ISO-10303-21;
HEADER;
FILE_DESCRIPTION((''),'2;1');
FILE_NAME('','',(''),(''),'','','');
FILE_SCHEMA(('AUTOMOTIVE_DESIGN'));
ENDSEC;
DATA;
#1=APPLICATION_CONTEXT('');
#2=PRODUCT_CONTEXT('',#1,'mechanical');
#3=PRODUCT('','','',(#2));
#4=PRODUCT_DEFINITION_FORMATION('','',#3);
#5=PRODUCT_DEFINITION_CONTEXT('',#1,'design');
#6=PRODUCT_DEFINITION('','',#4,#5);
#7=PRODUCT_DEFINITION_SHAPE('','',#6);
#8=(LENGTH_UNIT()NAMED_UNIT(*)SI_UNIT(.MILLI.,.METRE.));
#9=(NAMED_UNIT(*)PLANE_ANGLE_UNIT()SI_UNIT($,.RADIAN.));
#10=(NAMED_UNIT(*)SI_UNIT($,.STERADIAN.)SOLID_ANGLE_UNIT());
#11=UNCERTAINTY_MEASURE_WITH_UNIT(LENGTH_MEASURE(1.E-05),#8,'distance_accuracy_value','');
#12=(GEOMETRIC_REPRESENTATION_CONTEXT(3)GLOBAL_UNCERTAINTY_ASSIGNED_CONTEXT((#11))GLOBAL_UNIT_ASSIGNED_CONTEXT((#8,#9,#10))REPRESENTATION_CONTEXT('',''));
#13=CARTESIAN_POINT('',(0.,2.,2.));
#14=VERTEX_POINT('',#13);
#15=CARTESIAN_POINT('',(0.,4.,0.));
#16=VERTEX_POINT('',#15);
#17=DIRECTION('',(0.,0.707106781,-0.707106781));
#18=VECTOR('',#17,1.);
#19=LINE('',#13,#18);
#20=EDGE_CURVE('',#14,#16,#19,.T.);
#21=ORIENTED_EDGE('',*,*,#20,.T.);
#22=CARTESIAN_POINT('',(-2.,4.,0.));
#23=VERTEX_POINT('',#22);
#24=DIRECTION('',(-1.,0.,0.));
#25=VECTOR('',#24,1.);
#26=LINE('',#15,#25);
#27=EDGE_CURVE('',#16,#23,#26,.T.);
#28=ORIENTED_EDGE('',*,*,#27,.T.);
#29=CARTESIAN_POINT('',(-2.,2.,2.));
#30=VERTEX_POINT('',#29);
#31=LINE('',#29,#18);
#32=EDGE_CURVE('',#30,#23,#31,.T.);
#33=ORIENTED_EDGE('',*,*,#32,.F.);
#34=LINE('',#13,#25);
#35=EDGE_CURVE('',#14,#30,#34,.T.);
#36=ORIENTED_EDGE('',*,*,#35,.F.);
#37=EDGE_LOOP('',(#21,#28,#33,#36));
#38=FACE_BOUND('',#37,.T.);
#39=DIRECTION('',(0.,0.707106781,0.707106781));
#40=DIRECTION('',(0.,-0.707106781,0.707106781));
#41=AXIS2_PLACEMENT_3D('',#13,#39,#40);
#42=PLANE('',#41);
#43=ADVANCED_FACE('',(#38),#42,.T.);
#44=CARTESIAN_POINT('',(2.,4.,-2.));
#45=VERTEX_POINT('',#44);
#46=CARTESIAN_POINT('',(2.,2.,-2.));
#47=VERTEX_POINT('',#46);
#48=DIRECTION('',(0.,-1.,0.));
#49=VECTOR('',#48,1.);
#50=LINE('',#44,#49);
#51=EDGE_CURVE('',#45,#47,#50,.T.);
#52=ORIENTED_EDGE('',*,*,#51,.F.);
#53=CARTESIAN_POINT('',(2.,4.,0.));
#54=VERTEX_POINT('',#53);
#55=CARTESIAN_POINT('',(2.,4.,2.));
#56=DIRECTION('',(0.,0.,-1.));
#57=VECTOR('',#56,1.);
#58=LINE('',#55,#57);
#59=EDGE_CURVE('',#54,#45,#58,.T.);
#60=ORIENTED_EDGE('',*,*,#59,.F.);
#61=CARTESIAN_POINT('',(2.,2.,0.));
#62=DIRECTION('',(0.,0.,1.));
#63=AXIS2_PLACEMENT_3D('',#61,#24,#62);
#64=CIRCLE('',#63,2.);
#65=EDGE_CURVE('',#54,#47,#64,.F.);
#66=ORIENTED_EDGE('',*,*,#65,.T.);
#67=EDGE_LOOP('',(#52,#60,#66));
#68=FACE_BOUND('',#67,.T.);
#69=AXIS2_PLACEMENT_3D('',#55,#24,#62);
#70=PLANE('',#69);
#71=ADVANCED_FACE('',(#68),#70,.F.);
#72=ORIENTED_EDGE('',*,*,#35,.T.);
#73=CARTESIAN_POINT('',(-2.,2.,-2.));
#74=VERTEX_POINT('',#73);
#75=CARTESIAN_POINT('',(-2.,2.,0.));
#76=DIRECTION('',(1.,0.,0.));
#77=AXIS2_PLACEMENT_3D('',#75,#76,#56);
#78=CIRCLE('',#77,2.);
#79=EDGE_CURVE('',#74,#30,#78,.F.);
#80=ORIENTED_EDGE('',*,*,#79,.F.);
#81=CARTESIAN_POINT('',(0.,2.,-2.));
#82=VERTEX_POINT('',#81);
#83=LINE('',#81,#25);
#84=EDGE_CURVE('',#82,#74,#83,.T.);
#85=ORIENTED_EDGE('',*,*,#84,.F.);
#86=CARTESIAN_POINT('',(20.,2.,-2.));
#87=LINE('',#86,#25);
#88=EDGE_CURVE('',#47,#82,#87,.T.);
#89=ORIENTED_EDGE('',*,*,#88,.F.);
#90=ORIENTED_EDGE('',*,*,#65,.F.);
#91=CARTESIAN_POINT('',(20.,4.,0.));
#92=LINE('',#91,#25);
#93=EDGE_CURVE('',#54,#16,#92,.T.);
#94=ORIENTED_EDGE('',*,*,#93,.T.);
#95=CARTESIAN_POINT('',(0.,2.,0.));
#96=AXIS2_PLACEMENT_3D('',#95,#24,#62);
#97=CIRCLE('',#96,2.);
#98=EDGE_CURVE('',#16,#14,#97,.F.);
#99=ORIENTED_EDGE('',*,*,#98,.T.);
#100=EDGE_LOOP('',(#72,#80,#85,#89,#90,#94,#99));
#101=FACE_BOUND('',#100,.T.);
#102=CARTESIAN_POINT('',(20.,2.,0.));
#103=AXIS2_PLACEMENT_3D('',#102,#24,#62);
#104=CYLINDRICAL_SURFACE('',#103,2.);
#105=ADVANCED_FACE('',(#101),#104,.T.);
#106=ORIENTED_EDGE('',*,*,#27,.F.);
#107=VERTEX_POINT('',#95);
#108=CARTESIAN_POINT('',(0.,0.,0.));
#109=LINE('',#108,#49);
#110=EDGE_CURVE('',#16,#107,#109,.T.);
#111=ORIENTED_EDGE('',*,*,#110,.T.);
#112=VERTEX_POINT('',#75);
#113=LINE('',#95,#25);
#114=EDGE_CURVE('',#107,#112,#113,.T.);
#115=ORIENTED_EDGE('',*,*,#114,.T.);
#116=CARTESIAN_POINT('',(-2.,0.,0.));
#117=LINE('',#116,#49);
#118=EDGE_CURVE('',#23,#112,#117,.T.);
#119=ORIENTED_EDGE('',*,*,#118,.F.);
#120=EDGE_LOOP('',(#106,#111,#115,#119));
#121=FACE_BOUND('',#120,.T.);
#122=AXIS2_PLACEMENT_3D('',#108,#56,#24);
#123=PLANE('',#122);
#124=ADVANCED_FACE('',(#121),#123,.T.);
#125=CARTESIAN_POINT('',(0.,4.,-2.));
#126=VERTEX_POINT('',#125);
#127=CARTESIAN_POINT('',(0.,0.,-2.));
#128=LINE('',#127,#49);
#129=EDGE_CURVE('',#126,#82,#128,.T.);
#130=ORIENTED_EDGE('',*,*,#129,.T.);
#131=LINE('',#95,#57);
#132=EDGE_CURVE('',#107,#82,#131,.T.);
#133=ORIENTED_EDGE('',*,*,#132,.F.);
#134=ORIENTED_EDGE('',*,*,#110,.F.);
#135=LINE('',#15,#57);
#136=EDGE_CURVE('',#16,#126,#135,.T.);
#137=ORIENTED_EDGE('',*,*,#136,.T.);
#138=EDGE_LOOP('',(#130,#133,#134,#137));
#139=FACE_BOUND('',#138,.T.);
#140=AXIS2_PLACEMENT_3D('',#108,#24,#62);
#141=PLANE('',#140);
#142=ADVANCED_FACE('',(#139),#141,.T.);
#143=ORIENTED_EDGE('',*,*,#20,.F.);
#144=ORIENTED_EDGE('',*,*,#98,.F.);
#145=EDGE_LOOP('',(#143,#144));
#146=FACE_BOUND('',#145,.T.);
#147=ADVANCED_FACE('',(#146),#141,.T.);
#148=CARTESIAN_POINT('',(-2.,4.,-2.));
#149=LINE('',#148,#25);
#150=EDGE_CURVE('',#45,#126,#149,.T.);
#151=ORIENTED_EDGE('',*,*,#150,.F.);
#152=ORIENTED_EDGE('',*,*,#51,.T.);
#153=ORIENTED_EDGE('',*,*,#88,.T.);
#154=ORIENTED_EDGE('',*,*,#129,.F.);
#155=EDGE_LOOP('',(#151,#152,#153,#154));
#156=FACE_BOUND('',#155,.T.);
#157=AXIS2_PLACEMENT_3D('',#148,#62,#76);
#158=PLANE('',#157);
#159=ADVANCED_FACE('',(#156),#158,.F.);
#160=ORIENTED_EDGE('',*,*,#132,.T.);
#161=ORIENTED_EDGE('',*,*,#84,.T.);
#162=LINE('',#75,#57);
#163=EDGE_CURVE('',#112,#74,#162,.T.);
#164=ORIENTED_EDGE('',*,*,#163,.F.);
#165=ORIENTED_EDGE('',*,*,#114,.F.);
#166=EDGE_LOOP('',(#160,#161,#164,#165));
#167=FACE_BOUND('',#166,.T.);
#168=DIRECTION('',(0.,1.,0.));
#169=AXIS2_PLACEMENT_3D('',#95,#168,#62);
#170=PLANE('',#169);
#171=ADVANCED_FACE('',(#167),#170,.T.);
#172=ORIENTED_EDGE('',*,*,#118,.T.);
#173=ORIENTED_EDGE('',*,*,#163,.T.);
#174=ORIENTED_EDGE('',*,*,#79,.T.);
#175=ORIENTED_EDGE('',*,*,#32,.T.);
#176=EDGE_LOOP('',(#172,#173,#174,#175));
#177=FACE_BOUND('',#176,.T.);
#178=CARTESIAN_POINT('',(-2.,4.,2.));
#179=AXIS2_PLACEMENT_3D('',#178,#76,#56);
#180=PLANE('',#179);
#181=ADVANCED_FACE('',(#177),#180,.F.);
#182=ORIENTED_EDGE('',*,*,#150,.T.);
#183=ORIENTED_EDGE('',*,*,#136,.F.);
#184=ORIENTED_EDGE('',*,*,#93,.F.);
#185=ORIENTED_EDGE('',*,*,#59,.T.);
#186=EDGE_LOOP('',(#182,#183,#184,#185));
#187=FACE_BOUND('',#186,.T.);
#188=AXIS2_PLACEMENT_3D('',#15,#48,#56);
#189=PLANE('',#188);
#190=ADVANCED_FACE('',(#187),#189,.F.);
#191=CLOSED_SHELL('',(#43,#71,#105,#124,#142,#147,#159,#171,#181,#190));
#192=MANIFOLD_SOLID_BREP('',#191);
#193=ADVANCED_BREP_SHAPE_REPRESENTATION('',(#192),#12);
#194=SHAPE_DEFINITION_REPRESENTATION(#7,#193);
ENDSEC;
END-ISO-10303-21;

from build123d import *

# Parameters (mm, degrees)
SKETCH1_W           = 4
SKETCH1_H           = 4
BOSS_EXTRUDE1_DEPTH = 4
SKETCH2_W           = 2
SKETCH2_H           = 2
CUT_EXTRUDE1_DEPTH  = 2
CUT_EXTRUDE2_DEPTH  = 20


with BuildPart() as part:
    # Sketch1 → Boss-Extrude1 (new body)
    with BuildSketch(Plane(origin=(0, 0, 0), x_dir=(1, 0, 0), z_dir=(0, 1, 0))):
        Rectangle(SKETCH1_W, SKETCH1_H)
    extrude(amount=BOSS_EXTRUDE1_DEPTH)

    # Sketch2 → Cut-Extrude1 (cut)
    with BuildSketch(Plane.ZY.offset(2)):
        Polygon((0, 4), (2, 2), (2, 4), align=None)
        with Locations((-1, 3)):
            Rectangle(SKETCH2_W, SKETCH2_H)
    extrude(amount=-CUT_EXTRUDE1_DEPTH, mode=Mode.SUBTRACT)

    # Sketch3 → Cut-Extrude2 (cut, symmetric)
    with BuildSketch(Plane.ZY):
        with BuildLine():
            Line((2, 4), (0, 4))
            ThreePointArc((0, 4), (1.414213562, 3.414213562), (2, 2))
            Line((2, 2), (2, 4))
        make_face()
        with BuildLine():
            Line((2, 0), (2, 2))
            ThreePointArc((2, 2), (1.414213562, 0.585786438), (0, 0))
            Line((0, 0), (2, 0))
        make_face()
        with BuildLine():
            Line((-2, 0), (0, 0))
            ThreePointArc((0, 0), (-1.414213562, 0.585786438), (-2, 2))
            Line((-2, 2), (-2, 0))
        make_face()
    extrude(amount=CUT_EXTRUDE2_DEPTH, both=True, mode=Mode.SUBTRACT)


solid = part.part
